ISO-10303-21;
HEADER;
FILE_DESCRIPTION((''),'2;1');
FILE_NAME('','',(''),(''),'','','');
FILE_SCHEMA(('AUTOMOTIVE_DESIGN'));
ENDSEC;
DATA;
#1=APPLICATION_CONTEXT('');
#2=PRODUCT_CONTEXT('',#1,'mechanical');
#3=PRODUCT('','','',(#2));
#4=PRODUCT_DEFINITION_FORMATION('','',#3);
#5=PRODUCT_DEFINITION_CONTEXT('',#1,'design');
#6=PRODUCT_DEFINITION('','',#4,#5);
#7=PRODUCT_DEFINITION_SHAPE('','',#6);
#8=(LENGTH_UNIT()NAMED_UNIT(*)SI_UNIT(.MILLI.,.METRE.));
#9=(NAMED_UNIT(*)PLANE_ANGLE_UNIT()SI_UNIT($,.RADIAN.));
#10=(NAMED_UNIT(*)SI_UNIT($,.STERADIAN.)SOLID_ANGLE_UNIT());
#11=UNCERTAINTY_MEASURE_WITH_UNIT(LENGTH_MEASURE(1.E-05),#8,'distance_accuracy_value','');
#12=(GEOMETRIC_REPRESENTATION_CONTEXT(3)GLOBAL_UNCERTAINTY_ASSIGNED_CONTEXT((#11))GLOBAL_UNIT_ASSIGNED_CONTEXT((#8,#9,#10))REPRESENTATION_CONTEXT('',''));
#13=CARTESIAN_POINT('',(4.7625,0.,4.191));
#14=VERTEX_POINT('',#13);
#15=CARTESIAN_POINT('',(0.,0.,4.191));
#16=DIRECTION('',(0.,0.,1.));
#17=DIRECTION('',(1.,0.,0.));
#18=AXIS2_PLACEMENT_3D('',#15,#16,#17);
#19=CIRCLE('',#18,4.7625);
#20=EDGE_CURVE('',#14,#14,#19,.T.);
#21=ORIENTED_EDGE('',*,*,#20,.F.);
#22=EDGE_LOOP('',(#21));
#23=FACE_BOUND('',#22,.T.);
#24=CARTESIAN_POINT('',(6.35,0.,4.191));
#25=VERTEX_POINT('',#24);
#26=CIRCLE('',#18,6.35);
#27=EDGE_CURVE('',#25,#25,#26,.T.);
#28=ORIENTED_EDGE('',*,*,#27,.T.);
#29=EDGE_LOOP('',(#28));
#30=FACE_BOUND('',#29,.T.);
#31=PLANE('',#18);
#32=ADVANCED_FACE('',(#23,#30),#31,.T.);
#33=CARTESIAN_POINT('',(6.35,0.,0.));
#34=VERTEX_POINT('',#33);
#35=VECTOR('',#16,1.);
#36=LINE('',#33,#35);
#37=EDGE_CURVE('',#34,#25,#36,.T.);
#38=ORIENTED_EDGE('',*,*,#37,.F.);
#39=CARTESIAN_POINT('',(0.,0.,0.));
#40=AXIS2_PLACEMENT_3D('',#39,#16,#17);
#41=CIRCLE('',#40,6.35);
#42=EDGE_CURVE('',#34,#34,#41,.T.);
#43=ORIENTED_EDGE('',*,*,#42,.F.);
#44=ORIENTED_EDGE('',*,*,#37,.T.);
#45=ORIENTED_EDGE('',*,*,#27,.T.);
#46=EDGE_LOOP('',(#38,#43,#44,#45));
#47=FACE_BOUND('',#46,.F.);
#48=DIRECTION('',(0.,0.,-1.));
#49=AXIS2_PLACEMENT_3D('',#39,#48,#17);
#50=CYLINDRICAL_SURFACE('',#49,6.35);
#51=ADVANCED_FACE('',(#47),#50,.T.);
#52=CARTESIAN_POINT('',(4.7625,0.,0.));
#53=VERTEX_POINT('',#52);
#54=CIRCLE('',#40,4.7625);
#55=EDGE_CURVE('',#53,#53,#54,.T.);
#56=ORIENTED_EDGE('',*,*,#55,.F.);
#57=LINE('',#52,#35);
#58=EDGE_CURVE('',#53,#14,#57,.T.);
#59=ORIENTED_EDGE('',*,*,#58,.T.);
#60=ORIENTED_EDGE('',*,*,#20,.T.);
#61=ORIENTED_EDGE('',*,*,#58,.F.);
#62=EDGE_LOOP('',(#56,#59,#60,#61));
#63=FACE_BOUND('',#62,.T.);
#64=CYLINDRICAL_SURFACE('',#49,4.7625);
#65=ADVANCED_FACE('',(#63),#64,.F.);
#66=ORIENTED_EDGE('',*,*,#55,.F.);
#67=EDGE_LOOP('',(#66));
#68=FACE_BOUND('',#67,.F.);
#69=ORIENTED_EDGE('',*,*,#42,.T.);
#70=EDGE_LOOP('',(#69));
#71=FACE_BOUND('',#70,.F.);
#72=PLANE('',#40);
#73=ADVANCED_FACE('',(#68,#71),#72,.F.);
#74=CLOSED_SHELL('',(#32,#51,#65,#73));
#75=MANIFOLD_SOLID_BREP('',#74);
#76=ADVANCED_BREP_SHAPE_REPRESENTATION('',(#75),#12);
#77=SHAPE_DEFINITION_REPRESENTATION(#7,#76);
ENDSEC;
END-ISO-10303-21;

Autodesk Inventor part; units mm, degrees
ref_plane "YZ Plane" through (0, 0, 0) normal (1, 0, 0) x (0, 1, 0)
ref_plane "XZ Plane" through (0, 0, 0) normal (0, 1, 0) x (-1, 0, 0)
ref_plane "XY Plane" through (0, 0, 0) normal (0, 0, 1) x (1, 0, 0)
sketch "Sketch1" plane through (0, 0, 0) normal (0, 0, 1) x (1, 0, 0)
  circle A0 centre (0, 0) radius 4.7625
  circle A1 centre (0, 0) radius 6.35
  dimension "d5" = 9.525
  dimension "d7" = 12.7
extrude "Extrusion1" add sketch "Sketch1" along normal blind 4.191
properties part number "Cluster Shaft Spacer"
